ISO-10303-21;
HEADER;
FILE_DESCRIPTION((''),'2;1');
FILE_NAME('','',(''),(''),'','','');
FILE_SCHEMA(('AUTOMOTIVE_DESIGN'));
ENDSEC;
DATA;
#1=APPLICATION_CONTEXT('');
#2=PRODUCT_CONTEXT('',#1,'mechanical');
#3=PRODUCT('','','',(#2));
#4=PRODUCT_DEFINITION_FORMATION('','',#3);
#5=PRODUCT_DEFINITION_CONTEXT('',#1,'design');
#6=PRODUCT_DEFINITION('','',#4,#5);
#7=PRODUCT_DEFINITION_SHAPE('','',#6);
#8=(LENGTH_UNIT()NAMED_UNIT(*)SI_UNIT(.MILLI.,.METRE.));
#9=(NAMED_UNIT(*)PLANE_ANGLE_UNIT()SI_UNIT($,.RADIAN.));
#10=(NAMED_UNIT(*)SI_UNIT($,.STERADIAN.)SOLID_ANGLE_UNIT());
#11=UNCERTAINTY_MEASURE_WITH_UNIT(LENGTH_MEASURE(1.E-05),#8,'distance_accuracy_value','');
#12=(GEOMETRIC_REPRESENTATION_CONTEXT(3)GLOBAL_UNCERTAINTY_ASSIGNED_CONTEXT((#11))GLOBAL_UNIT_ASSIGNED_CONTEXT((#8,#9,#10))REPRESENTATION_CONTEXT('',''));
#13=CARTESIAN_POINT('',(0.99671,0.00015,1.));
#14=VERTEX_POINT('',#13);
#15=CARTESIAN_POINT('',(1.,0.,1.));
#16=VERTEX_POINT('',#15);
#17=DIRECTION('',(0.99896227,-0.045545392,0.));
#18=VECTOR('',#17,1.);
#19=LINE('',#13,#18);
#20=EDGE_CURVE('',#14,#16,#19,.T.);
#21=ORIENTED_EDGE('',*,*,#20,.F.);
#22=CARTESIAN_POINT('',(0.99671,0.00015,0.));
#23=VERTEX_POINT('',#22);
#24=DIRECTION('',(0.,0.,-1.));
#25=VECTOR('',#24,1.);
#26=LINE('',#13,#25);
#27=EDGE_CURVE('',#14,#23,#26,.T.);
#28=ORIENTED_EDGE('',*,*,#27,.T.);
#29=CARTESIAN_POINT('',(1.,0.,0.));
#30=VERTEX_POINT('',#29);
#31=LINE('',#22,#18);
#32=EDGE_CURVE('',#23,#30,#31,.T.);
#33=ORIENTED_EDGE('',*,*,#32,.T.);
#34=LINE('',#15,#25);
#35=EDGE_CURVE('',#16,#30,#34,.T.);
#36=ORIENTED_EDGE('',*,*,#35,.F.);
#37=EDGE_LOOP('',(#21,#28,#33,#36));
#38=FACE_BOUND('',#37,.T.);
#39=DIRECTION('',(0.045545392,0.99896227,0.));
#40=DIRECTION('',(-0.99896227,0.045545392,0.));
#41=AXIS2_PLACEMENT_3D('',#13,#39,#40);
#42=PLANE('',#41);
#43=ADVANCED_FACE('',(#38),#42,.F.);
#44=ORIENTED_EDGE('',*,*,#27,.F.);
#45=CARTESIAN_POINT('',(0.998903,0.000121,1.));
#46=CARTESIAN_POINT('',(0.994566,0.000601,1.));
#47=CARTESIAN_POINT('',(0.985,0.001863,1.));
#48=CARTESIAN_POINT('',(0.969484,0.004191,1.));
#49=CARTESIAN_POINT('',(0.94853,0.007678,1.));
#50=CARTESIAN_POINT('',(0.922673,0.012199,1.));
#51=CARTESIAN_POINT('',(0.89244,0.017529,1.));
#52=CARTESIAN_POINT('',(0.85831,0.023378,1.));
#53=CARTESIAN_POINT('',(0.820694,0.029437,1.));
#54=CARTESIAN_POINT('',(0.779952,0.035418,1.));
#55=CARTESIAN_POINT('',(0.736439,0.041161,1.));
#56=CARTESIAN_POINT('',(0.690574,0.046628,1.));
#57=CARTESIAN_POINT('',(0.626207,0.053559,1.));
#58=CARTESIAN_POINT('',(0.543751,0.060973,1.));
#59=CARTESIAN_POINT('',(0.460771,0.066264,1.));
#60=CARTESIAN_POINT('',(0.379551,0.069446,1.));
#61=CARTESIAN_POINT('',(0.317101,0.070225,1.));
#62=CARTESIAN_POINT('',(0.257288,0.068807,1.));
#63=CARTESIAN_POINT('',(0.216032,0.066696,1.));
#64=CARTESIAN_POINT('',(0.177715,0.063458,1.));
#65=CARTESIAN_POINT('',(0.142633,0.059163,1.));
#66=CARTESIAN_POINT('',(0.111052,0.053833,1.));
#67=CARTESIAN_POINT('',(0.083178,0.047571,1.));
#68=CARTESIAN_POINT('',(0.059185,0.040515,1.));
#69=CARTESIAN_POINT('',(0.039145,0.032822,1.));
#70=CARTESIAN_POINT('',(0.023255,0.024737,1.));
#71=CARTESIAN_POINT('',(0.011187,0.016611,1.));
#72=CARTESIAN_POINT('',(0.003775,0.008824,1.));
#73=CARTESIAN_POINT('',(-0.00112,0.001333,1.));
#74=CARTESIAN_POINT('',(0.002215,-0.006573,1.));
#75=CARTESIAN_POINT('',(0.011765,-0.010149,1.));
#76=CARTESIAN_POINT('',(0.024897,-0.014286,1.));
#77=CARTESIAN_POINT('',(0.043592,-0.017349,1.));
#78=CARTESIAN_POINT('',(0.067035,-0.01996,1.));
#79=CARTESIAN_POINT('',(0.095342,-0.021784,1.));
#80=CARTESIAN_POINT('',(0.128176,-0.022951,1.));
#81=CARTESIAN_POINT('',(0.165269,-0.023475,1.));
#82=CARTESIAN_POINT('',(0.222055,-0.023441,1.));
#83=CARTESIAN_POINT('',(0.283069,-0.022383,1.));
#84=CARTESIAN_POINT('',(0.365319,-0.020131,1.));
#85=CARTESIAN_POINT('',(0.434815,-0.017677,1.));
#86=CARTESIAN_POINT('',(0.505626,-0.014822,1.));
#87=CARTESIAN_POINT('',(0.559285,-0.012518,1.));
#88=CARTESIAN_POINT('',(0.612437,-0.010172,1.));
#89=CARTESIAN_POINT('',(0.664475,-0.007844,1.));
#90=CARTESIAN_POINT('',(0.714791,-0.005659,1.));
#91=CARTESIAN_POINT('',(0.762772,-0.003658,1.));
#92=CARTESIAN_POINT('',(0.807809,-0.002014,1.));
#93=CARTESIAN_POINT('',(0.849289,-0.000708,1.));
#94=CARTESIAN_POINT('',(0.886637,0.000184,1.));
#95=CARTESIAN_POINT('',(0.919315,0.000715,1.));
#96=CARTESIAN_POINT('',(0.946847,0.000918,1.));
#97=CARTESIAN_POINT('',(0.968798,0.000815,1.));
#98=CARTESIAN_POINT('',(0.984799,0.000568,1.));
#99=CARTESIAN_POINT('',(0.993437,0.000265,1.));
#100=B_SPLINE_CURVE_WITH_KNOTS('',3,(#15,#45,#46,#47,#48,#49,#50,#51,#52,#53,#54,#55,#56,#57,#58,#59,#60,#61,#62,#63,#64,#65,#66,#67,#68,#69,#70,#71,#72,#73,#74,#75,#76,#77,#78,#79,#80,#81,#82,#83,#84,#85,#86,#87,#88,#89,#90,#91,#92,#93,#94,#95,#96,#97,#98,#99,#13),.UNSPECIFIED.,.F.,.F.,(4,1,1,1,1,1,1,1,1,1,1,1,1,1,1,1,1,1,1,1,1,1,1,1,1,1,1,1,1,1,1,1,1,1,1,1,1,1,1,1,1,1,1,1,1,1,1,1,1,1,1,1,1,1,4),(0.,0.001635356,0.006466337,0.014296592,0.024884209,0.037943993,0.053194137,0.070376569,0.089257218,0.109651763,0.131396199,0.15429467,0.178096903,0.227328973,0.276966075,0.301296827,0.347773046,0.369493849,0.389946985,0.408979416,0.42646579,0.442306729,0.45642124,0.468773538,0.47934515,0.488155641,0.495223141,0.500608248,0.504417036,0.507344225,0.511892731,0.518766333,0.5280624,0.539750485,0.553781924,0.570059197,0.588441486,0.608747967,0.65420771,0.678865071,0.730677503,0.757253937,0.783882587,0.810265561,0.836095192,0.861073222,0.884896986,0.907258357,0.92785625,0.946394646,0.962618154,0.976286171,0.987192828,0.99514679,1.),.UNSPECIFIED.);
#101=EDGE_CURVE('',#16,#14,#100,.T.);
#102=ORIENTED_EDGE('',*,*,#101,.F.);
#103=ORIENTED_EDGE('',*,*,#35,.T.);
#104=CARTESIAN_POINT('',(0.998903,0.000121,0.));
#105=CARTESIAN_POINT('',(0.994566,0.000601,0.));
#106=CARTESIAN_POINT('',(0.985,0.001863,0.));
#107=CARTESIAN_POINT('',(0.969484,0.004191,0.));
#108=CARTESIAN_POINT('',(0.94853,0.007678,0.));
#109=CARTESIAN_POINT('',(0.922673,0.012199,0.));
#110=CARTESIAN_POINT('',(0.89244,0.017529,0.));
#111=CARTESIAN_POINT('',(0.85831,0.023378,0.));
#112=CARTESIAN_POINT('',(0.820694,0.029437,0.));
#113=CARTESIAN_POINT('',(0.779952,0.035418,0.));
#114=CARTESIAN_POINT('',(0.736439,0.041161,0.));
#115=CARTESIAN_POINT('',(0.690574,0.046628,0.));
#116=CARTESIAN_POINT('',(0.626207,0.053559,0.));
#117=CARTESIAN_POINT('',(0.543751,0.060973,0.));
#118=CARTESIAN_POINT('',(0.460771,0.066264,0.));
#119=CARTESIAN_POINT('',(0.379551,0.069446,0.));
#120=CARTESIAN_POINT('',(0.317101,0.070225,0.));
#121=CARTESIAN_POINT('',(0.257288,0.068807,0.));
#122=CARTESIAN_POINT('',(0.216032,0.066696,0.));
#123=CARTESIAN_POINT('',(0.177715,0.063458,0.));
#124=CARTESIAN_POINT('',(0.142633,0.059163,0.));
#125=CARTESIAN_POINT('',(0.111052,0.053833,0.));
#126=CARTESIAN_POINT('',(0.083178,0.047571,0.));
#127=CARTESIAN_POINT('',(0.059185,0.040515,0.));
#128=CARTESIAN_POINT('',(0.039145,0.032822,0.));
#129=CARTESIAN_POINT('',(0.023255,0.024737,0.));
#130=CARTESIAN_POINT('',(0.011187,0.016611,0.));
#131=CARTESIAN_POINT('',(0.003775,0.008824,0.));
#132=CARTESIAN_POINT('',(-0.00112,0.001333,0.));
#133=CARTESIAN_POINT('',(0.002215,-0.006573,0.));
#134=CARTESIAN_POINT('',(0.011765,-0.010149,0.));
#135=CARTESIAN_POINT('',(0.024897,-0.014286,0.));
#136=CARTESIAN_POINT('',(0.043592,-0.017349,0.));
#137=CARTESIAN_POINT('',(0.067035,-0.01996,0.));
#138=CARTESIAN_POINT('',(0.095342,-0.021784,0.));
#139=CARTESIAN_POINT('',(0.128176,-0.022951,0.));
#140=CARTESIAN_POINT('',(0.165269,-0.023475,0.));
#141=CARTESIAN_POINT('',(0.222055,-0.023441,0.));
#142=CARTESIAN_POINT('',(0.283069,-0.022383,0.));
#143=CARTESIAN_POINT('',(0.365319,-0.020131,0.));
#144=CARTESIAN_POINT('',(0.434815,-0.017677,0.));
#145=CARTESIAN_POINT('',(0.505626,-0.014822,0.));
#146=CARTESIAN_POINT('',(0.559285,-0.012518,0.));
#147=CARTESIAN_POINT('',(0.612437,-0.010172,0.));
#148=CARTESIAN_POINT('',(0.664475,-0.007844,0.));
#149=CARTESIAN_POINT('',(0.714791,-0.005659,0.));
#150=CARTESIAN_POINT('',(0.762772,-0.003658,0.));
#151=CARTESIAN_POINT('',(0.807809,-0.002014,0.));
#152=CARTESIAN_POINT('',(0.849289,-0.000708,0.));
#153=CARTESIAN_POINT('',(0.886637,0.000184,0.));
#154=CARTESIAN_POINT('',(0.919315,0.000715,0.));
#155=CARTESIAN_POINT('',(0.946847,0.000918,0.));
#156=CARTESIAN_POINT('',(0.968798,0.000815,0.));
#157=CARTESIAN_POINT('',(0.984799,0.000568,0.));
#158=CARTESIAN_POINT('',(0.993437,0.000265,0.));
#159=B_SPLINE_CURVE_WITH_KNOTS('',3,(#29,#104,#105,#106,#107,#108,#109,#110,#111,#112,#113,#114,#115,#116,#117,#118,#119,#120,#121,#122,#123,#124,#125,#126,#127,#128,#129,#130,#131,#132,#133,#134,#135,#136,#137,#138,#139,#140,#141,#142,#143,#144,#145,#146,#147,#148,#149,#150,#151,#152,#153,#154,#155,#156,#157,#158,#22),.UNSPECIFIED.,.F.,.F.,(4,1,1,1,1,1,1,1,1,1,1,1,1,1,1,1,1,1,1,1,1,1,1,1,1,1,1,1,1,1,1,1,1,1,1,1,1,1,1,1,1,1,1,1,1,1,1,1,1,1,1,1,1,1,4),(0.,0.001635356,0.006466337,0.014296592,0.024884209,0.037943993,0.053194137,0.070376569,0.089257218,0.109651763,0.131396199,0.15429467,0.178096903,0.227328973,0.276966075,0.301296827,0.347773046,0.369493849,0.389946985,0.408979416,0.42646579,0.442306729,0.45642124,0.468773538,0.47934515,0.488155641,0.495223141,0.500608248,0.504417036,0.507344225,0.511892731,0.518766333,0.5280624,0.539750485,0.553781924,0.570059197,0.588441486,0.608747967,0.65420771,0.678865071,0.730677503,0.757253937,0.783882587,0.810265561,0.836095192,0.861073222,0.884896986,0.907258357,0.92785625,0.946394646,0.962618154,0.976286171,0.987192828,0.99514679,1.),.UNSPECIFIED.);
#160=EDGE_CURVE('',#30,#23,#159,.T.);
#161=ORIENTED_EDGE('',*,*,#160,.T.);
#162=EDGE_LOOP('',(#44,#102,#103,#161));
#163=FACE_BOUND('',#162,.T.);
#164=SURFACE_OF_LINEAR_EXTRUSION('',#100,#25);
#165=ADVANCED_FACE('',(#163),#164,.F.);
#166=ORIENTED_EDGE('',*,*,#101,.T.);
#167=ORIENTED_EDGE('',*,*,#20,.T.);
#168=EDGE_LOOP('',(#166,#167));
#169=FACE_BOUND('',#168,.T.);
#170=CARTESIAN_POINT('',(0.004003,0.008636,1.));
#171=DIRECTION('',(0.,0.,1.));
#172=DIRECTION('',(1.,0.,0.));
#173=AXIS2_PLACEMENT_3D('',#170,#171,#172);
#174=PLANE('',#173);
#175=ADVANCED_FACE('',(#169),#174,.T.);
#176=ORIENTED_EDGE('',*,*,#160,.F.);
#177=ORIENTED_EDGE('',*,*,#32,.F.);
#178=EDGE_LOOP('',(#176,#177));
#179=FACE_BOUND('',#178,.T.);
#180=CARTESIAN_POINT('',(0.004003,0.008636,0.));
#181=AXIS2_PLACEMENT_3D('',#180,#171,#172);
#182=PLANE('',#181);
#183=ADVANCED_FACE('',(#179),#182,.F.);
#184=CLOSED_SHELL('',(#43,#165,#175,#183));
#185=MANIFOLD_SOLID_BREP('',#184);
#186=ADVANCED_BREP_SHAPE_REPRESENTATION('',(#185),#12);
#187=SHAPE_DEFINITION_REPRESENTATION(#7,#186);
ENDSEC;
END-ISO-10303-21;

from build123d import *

# Parameters (mm, degrees)
BOSS_EXTRUDE1_DEPTH = 1


with BuildPart() as part:
    # Sketch2 → Boss-Extrude1 (new body)
    with BuildSketch(Plane.XY):
        with BuildLine():
            Line((0.99671, 0.00015), (1, 0))
            add(Edge.make_bspline(
                [(1, 0), (0.998903108, 0.000121407), (0.994565905, 0.00060146), (0.984999997, 0.001862596), (0.969484159, 0.004190621), (0.948529815, 0.007678196), (0.922672969, 0.012198814), (0.892439862, 0.017529266), (0.858309633, 0.023378215), (0.820694397, 0.029436711), (0.779952035, 0.035418329), (0.736439056, 0.041161248), (0.690574078, 0.046627683), (0.62620691, 0.053558876), (0.543750962, 0.060973393), (0.460771418, 0.066263636), (0.379551076, 0.069445541), (0.317100784, 0.070224632), (0.257287933, 0.068807399), (0.216031915, 0.066695621), (0.177714573, 0.06345761), (0.14263253, 0.059163439), (0.111052131, 0.053832559), (0.083177659, 0.047570672), (0.059185142, 0.040514815), (0.039144979, 0.032821644), (0.023254807, 0.02473669), (0.011186579, 0.016610891), (0.003774537, 0.008823737), (-0.001120263, 0.001332723), (0.002215245, -0.006573309), (0.011764719, -0.010149126), (0.024896537, -0.014285856), (0.043591865, -0.017348572), (0.067034847, -0.019960326), (0.09534176, -0.021783939), (0.128175654, -0.022950638), (0.165268517, -0.023475317), (0.222054551, -0.023440834), (0.283068636, -0.022383498), (0.365319495, -0.020131314), (0.434815088, -0.017676635), (0.505626194, -0.014822066), (0.55928484, -0.012517915), (0.612437184, -0.010171711), (0.664475391, -0.00784426), (0.714791147, -0.005658865), (0.762772301, -0.003658163), (0.807809389, -0.002014017), (0.849289308, -0.000708153), (0.88663728, 0.000183559), (0.919314986, 0.00071457), (0.946846558, 0.000918232), (0.968797692, 0.000815243), (0.984799457, 0.000567604), (0.99343689, 0.000264761), (0.99671, 0.00015)],
                knots=[0, 0, 0, 0, 0.001635356, 0.006466337, 0.014296592, 0.024884209, 0.037943993, 0.053194137, 0.070376569, 0.089257218, 0.109651763, 0.131396199, 0.15429467, 0.178096903, 0.227328973, 0.276966075, 0.301296827, 0.347773046, 0.369493849, 0.389946985, 0.408979416, 0.42646579, 0.442306729, 0.45642124, 0.468773538, 0.47934515, 0.488155641, 0.495223141, 0.500608248, 0.504417036, 0.507344225, 0.511892731, 0.518766333, 0.5280624, 0.539750485, 0.553781924, 0.570059197, 0.588441486, 0.608747967, 0.65420771, 0.678865071, 0.730677503, 0.757253937, 0.783882587, 0.810265561, 0.836095192, 0.861073222, 0.884896986, 0.907258357, 0.92785625, 0.946394646, 0.962618154, 0.976286171, 0.987192828, 0.99514679, 1, 1, 1, 1], degree=3))
        make_face()
    extrude(amount=BOSS_EXTRUDE1_DEPTH)


solid = part.part
